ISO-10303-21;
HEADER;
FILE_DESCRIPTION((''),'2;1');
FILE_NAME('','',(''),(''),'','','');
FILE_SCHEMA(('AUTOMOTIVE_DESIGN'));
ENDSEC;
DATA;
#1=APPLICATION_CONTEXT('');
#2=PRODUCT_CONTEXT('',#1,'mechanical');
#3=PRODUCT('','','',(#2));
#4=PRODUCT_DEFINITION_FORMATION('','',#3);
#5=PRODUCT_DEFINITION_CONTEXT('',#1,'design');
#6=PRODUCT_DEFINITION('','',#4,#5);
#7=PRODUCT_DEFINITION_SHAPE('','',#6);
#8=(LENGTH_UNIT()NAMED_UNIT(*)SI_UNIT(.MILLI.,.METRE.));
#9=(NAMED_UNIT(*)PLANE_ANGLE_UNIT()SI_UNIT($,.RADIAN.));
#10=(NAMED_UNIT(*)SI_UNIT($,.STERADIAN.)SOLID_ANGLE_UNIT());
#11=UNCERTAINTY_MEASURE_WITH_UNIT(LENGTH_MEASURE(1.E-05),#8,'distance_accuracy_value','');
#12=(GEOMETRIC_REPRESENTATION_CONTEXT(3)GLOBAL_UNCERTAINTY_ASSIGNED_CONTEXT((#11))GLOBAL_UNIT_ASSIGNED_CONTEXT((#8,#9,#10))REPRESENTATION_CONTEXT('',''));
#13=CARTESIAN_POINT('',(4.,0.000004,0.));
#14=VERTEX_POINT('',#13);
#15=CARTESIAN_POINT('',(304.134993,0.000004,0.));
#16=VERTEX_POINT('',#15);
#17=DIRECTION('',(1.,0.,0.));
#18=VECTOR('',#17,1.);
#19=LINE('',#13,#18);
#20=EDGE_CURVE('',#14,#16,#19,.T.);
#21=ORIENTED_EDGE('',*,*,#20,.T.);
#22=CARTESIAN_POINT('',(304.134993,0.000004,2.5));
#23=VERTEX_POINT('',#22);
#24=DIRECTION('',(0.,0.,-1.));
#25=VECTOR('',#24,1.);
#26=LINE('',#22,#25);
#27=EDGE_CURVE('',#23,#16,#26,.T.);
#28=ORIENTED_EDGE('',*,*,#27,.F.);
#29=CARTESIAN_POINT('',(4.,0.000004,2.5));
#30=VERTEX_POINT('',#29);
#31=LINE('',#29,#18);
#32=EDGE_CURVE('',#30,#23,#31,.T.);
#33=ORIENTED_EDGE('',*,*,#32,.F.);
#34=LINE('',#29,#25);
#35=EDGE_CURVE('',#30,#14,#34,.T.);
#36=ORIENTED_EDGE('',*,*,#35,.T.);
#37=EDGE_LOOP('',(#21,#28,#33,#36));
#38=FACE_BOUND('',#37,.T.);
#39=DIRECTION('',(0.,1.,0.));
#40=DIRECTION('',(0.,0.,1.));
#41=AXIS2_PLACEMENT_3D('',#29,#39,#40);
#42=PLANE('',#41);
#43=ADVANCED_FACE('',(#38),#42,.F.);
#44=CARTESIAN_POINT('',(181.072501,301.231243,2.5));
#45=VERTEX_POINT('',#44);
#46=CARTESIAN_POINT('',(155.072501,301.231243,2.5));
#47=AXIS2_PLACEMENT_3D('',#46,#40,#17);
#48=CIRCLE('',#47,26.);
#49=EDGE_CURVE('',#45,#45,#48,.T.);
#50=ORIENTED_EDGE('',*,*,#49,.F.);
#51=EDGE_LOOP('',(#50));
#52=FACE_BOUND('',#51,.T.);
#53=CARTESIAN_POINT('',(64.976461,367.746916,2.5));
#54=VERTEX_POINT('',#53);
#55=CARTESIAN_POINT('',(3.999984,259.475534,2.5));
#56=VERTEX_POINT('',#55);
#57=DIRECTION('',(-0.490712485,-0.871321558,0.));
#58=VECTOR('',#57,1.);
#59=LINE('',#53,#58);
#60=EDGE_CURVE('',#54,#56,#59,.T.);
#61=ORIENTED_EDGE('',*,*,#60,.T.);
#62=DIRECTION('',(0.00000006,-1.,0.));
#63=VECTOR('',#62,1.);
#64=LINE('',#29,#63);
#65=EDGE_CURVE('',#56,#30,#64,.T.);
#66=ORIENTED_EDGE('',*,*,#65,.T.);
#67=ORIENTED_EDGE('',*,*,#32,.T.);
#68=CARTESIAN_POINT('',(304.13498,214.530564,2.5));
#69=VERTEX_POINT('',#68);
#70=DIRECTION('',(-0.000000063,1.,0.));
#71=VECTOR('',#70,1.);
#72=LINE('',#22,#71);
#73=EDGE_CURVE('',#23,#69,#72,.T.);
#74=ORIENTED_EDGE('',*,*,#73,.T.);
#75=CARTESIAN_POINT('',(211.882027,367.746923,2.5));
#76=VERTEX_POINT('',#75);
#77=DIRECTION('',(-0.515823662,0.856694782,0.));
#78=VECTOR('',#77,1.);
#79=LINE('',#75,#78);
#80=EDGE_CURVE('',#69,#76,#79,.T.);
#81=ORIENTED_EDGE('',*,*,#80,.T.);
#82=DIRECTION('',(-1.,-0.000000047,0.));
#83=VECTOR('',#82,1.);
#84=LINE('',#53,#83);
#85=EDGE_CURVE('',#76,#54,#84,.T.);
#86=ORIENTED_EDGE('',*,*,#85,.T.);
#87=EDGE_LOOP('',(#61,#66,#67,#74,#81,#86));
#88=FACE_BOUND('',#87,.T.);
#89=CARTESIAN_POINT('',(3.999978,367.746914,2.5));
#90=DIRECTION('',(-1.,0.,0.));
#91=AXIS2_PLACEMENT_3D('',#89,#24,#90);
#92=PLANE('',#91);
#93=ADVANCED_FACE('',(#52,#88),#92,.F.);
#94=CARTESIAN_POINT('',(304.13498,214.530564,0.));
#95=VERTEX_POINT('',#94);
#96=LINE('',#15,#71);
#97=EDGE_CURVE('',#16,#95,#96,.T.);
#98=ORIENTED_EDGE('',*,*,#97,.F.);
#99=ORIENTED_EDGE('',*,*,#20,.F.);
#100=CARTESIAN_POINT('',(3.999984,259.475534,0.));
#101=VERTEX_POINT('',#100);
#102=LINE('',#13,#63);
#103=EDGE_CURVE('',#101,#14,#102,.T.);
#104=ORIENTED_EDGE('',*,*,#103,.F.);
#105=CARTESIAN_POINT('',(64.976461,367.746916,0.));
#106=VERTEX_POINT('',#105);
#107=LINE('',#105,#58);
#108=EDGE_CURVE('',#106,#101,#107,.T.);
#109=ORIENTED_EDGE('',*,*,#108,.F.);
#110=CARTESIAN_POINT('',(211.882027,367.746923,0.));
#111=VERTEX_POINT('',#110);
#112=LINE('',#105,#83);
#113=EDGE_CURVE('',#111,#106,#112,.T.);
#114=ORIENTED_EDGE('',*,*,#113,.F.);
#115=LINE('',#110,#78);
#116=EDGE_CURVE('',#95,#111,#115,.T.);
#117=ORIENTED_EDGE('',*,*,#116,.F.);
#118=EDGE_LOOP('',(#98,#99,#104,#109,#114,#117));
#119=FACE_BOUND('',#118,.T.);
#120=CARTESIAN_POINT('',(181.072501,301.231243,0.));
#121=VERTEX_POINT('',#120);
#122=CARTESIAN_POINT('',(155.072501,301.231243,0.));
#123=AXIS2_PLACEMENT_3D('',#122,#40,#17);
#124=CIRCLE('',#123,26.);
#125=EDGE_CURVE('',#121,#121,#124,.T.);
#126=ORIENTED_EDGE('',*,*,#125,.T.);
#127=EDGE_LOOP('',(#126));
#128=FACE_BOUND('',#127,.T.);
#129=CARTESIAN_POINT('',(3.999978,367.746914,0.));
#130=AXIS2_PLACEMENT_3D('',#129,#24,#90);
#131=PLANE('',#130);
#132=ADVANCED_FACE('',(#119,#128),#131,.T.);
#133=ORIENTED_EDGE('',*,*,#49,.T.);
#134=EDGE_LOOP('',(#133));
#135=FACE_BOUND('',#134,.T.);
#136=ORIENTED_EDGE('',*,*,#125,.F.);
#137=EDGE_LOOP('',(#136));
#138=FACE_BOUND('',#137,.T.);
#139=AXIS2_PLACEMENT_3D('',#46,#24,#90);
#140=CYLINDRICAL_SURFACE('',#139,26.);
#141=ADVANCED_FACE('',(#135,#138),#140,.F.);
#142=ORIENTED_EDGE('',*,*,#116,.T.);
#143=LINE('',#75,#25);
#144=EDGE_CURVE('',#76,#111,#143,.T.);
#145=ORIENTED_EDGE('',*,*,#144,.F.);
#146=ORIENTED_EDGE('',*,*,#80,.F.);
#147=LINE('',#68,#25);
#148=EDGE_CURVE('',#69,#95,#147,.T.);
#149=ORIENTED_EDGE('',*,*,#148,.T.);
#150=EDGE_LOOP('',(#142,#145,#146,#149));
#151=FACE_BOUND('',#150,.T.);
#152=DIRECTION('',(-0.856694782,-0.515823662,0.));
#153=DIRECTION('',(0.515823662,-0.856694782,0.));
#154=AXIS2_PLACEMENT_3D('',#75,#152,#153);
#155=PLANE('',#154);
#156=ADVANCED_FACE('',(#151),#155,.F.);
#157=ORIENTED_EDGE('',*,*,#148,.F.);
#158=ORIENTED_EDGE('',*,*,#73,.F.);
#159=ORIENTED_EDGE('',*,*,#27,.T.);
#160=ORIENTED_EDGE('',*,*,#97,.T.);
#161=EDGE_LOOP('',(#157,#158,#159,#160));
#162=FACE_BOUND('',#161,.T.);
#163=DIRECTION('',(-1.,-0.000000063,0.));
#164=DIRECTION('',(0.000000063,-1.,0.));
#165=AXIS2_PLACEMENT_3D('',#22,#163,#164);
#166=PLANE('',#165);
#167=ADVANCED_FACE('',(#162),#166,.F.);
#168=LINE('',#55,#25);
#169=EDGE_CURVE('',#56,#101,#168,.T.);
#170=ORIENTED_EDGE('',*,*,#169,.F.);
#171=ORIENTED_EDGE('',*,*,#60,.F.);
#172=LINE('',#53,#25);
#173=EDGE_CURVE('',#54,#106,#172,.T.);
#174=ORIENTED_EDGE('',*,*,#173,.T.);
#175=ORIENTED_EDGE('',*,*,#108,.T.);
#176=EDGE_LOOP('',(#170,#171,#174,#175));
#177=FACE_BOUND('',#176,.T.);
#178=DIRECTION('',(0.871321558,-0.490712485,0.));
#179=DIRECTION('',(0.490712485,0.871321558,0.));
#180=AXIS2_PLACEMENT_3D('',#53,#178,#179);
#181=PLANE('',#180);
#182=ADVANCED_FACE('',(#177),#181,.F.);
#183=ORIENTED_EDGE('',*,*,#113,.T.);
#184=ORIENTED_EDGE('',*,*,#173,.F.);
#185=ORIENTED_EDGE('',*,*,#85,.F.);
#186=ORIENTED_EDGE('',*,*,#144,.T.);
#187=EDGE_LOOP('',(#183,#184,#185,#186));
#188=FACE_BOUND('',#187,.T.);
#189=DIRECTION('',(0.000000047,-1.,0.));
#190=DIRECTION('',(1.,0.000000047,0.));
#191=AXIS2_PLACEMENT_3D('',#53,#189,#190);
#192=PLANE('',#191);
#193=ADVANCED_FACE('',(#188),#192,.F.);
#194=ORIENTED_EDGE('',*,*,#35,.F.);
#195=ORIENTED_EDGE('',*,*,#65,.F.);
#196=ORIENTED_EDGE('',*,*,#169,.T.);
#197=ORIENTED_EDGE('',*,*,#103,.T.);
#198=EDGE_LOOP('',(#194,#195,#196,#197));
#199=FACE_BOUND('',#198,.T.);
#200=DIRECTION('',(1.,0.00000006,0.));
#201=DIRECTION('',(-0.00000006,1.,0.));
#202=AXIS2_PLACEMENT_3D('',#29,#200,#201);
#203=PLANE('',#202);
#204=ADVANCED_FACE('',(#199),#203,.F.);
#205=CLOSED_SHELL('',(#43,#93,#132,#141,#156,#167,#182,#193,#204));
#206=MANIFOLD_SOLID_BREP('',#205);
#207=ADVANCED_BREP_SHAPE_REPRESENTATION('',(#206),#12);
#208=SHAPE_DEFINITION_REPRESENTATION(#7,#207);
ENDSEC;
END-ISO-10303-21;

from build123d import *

# Parameters (mm, degrees)
SKETCH_1_R      = 26
EXTRUDE_1_DEPTH = 2.5


with BuildPart() as part:
    # Эскиз1 → Вытянуть1 (new body)
    with BuildSketch(Plane.XY):
        Polygon((64.976461406, 367.746916417), (211.882026761, 367.746923338), (304.134979738, 214.53056414), (304.134993214, 3.87e-06), (4, 3.87e-06), (3.999984406, 259.47553438), align=None)
        with Locations((155.072501179, 301.231243192)):
            Circle(SKETCH_1_R, mode=Mode.SUBTRACT)
    extrude(amount=EXTRUDE_1_DEPTH)


solid = part.part
